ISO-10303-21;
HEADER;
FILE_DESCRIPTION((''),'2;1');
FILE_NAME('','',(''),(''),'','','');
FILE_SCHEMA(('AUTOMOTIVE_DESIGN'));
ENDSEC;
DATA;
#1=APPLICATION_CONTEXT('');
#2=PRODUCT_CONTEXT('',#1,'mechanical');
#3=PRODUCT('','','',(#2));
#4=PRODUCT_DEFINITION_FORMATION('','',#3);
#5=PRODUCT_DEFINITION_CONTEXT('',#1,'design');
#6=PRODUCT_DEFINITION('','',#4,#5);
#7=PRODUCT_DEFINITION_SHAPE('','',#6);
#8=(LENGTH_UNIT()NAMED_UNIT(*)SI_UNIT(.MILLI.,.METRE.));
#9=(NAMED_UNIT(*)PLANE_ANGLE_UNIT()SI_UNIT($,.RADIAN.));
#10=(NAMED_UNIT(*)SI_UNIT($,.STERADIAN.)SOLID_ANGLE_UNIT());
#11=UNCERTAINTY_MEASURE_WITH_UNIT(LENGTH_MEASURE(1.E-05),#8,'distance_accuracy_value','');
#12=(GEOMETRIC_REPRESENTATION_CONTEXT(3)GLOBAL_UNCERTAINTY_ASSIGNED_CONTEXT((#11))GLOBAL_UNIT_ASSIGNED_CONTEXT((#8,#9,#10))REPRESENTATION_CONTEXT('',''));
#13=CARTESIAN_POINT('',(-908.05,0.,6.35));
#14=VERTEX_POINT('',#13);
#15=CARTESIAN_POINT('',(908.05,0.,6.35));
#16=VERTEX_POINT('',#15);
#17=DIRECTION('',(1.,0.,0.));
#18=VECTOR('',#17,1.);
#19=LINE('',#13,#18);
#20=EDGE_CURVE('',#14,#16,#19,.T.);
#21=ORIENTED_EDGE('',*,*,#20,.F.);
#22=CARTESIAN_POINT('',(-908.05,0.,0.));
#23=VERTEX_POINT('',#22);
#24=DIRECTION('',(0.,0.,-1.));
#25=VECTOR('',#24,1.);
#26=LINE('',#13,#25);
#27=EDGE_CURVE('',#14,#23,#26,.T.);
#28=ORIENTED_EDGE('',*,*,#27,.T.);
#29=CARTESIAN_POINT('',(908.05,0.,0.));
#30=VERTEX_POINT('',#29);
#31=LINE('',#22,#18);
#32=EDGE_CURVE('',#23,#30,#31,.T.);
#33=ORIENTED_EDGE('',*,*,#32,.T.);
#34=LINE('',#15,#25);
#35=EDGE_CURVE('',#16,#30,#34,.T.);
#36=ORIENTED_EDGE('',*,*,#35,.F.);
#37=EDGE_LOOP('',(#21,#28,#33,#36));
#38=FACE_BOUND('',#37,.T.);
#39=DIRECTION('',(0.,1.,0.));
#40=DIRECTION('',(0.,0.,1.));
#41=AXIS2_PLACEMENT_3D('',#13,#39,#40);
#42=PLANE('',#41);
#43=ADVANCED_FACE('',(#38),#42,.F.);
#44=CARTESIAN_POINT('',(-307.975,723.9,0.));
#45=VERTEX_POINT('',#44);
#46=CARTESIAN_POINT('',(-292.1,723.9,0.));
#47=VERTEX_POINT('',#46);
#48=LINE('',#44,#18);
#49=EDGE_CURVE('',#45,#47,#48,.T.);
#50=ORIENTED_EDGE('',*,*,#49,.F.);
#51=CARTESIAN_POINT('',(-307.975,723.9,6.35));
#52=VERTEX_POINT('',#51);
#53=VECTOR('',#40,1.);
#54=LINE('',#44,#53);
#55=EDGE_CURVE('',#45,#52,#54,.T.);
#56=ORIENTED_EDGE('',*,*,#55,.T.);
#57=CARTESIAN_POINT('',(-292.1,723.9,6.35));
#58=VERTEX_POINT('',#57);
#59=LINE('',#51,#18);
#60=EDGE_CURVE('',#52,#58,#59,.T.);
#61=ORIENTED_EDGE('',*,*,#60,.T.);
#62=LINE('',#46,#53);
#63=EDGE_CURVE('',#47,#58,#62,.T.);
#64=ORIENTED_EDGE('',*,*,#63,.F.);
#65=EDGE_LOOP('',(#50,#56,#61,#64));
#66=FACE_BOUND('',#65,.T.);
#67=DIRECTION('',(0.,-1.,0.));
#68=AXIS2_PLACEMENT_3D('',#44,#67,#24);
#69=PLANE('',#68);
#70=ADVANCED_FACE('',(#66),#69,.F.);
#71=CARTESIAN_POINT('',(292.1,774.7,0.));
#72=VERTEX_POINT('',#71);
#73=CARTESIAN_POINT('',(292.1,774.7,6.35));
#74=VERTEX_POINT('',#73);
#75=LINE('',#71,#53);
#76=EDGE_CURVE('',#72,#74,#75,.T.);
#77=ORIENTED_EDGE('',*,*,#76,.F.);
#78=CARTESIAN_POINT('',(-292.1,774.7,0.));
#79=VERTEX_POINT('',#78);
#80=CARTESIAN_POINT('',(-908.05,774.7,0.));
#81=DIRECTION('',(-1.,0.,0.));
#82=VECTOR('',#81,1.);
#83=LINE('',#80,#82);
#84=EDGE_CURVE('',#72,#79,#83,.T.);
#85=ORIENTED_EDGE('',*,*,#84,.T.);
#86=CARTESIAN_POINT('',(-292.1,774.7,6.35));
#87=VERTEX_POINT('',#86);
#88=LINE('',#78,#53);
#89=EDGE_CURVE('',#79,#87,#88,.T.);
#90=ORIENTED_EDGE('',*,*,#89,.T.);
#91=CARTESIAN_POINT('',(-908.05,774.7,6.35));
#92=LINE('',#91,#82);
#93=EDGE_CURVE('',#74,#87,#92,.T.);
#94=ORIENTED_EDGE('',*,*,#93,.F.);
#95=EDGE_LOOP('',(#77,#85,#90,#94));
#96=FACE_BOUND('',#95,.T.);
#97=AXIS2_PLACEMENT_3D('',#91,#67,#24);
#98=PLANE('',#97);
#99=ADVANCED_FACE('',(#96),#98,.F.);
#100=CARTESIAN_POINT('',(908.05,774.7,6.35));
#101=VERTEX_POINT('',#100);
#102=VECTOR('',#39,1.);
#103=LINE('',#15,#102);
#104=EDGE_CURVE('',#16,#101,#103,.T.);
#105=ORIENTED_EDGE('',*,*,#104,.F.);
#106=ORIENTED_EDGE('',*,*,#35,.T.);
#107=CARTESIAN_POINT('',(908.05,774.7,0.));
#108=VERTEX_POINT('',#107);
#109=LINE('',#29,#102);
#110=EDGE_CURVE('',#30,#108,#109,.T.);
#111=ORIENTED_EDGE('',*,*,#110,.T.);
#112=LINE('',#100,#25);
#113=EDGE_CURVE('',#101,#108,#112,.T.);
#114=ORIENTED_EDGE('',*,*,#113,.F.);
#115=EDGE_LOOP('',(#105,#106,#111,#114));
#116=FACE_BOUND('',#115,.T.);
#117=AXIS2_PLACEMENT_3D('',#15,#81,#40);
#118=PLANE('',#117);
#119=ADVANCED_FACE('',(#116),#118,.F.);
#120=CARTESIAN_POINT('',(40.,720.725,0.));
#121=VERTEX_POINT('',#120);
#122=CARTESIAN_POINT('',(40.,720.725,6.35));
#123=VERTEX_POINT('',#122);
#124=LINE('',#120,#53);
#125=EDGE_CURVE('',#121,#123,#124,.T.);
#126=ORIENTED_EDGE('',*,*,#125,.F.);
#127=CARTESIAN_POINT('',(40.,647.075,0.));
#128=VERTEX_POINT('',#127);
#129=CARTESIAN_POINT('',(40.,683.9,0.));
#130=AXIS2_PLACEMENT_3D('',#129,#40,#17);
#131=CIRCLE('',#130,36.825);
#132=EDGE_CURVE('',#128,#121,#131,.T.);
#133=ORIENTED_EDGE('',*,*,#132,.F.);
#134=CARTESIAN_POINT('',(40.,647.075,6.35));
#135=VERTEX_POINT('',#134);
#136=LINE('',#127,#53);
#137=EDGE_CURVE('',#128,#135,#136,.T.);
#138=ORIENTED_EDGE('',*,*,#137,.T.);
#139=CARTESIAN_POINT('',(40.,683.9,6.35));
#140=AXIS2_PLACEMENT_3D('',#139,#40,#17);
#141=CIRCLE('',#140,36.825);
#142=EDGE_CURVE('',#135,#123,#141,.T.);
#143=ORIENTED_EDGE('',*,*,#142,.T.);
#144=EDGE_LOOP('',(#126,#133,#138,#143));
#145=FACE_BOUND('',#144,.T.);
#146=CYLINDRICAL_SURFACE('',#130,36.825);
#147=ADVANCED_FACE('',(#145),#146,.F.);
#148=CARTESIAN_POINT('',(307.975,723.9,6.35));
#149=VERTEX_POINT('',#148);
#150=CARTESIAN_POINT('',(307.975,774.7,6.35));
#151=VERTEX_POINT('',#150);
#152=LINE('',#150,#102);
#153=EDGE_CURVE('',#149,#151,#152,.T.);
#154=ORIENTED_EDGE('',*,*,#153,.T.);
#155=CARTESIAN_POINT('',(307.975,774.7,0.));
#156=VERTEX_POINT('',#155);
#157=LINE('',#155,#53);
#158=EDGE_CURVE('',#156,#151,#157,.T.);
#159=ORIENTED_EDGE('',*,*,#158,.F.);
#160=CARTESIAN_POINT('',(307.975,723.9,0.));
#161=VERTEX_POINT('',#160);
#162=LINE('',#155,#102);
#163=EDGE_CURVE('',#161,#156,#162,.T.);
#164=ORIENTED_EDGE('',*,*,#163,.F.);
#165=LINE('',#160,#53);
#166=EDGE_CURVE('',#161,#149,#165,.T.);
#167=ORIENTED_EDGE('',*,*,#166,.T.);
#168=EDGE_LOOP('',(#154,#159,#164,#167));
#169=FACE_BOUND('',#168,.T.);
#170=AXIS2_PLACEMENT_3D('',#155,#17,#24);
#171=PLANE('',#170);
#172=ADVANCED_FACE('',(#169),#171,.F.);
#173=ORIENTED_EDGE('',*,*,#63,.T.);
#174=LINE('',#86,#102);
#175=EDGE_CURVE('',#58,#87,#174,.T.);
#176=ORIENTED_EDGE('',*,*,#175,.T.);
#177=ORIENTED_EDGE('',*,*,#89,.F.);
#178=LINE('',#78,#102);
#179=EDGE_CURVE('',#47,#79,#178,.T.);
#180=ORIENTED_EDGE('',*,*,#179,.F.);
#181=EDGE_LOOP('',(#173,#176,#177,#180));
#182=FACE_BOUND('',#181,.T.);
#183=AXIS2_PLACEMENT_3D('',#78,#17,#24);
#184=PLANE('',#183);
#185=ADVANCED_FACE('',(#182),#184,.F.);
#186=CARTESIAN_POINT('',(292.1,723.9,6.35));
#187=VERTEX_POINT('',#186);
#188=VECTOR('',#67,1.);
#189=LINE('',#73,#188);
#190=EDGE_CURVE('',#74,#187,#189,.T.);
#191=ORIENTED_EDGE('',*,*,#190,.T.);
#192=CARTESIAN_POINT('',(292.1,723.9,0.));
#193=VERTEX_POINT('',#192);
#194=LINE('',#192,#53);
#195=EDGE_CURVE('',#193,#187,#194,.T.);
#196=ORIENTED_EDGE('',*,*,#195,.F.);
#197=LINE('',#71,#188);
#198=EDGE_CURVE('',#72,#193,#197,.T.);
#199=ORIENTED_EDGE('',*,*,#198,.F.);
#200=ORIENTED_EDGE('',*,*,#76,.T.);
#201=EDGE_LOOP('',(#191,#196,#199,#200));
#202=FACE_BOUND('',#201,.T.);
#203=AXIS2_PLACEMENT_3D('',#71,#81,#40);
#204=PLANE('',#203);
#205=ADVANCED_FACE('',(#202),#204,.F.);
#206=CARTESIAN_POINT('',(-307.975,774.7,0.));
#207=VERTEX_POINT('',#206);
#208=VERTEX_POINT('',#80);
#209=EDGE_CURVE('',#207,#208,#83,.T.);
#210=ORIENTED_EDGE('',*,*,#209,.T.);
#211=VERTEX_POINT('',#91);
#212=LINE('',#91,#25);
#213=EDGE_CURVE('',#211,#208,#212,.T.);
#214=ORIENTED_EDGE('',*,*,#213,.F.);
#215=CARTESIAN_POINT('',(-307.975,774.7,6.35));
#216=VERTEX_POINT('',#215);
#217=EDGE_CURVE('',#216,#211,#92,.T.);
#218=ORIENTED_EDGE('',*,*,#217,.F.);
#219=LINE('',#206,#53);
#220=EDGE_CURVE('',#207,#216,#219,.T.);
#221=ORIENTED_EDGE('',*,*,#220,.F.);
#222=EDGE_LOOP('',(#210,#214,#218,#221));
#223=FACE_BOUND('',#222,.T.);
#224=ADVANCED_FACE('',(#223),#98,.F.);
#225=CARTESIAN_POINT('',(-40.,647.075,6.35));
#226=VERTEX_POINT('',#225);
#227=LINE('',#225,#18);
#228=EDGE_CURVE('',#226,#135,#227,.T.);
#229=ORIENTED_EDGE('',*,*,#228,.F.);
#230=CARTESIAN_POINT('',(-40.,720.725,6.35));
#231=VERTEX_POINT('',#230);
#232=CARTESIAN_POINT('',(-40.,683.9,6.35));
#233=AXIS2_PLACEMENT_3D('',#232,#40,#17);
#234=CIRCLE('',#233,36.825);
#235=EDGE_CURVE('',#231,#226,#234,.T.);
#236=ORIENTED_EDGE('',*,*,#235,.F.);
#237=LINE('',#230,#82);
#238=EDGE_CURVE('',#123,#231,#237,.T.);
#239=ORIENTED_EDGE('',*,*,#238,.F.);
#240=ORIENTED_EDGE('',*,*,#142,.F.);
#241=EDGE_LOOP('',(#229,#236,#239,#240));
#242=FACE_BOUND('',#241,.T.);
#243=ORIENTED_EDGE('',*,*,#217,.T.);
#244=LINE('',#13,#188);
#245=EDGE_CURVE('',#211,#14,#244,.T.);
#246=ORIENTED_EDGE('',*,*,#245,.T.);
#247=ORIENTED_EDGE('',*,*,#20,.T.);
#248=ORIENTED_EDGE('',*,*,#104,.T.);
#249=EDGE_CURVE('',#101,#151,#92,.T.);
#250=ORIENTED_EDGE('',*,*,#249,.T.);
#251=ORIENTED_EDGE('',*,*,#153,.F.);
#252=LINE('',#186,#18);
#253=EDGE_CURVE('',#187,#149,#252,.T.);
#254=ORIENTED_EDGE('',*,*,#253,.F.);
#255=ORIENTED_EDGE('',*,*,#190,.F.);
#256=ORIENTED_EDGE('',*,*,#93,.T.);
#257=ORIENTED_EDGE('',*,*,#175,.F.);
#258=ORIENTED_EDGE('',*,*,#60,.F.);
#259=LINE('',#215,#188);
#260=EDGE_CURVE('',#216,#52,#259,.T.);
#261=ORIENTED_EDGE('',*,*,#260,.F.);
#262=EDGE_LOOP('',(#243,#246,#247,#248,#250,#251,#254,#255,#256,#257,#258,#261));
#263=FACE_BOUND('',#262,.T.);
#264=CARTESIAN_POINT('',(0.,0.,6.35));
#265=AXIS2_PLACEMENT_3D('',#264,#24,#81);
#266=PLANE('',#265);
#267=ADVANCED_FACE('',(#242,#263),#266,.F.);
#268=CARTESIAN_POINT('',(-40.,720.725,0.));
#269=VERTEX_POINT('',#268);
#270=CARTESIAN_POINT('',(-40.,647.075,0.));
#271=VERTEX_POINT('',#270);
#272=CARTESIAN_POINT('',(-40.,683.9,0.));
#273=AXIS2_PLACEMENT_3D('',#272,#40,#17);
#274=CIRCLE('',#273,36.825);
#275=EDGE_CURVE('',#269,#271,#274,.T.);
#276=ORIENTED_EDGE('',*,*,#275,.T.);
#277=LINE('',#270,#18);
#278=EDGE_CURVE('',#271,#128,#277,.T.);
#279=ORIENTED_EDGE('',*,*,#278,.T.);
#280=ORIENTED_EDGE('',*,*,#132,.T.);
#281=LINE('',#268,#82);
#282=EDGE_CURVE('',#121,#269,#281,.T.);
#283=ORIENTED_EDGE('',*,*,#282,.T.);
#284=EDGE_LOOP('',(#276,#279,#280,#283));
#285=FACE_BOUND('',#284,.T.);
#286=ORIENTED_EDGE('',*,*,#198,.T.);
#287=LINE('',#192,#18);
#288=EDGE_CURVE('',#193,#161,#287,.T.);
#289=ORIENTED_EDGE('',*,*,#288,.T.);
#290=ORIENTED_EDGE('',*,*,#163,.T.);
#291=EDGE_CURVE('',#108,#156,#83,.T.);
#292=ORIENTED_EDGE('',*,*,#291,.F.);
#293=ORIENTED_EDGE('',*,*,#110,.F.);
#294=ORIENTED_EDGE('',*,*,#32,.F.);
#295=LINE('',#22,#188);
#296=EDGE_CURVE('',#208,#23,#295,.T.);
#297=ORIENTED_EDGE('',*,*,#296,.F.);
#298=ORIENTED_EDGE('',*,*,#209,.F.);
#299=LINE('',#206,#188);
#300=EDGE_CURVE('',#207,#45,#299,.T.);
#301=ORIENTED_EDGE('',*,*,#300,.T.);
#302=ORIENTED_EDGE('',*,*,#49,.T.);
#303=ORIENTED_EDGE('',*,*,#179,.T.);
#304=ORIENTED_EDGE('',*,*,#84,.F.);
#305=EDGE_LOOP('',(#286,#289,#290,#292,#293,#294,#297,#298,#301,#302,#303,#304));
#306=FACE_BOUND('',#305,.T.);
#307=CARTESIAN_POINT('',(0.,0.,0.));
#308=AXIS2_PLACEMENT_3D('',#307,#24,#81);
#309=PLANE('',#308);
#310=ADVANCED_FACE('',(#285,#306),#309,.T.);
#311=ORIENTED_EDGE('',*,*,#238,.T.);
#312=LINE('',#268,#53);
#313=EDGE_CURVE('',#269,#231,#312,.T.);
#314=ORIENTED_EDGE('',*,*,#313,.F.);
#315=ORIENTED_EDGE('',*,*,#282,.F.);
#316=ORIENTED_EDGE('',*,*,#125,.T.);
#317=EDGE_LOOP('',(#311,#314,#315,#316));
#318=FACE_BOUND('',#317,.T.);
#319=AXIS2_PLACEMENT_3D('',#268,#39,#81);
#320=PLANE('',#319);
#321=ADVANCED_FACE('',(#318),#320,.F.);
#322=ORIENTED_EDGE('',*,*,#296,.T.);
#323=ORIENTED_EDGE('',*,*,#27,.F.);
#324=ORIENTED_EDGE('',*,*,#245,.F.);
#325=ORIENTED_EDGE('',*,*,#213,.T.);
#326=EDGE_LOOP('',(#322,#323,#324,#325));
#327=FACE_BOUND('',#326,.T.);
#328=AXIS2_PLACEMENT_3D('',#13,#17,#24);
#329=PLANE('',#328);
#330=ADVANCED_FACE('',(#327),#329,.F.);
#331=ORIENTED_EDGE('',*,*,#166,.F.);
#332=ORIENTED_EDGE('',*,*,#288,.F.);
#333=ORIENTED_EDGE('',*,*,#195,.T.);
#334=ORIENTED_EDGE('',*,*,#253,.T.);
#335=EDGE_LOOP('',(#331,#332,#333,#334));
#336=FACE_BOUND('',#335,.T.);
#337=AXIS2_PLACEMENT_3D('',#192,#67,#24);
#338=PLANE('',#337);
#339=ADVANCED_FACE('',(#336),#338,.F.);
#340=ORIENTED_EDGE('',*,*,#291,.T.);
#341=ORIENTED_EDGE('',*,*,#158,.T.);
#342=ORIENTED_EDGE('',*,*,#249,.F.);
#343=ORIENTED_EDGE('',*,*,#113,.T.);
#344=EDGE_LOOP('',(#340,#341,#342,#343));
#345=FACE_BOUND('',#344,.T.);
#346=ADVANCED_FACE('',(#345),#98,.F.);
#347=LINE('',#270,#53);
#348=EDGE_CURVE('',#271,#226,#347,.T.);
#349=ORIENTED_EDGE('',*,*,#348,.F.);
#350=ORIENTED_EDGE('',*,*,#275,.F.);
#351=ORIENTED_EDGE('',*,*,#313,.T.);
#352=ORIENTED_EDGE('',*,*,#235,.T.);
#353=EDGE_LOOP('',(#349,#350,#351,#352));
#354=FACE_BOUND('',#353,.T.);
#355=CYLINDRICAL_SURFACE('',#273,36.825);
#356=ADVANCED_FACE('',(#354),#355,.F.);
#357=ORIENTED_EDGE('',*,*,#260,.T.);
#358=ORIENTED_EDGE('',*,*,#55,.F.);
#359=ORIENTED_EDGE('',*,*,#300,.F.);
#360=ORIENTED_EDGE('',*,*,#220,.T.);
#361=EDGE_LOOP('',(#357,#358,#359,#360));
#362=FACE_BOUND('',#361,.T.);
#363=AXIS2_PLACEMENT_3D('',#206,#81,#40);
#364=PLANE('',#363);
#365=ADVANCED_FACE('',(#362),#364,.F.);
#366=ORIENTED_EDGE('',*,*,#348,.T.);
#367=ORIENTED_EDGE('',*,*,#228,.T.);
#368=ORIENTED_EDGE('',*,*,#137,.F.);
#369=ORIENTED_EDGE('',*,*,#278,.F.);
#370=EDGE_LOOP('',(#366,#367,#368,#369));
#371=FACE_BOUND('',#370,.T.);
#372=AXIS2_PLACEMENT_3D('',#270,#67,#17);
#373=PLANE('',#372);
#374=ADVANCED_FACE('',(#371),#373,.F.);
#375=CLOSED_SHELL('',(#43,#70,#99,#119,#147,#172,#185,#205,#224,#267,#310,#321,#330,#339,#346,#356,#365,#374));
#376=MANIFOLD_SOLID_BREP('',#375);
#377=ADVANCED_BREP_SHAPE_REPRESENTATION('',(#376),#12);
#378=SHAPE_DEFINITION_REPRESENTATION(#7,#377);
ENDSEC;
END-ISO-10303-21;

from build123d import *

# Parameters (mm, degrees)
SKETCH1_W         = 1816.1
SKETCH1_H         = 774.7
BASE_DEPTH        = 6.35
SKETCH2_W         = 15.875
SKETCH2_H         = 50.8
RIB_RELIEF_DEPTH  = 1194.631105074
CUTOUT_DEPTH      = 1194.631105074
CUTOUT_DEPTH_BACK = 1194.631105074


with BuildPart() as part:
    # Sketch1 → base (new body)
    with BuildSketch(Plane.XY):
        with Locations((0, 387.35)):
            Rectangle(SKETCH1_W, SKETCH1_H)
    extrude(amount=BASE_DEPTH)

    # Sketch2 → rib-relief (cut, through all)
    with BuildSketch(Plane.XY.offset(6.35)):
        with Locations((-300.0375, 749.3)):
            Rectangle(SKETCH2_W, SKETCH2_H)
        with Locations((300.0375, 749.3)):
            Rectangle(SKETCH2_W, SKETCH2_H)
    extrude(amount=-RIB_RELIEF_DEPTH, mode=Mode.SUBTRACT)

    # Sketch3 → cutout (cut, two sides: drawn at the far end of the back side and taken through both)
    with BuildSketch(Plane.XY.offset(6.35).offset(-CUTOUT_DEPTH_BACK)):
        with BuildLine():
            Line((-40, 720.725), (40, 720.725))
            ThreePointArc((40, 720.725), (76.825, 683.9), (40, 647.075))
            Line((40, 647.075), (-40, 647.075))
            ThreePointArc((-40, 647.075), (-76.825, 683.9), (-40, 720.725))
        make_face()
    extrude(amount=CUTOUT_DEPTH + CUTOUT_DEPTH_BACK, mode=Mode.SUBTRACT)


solid = part.part
